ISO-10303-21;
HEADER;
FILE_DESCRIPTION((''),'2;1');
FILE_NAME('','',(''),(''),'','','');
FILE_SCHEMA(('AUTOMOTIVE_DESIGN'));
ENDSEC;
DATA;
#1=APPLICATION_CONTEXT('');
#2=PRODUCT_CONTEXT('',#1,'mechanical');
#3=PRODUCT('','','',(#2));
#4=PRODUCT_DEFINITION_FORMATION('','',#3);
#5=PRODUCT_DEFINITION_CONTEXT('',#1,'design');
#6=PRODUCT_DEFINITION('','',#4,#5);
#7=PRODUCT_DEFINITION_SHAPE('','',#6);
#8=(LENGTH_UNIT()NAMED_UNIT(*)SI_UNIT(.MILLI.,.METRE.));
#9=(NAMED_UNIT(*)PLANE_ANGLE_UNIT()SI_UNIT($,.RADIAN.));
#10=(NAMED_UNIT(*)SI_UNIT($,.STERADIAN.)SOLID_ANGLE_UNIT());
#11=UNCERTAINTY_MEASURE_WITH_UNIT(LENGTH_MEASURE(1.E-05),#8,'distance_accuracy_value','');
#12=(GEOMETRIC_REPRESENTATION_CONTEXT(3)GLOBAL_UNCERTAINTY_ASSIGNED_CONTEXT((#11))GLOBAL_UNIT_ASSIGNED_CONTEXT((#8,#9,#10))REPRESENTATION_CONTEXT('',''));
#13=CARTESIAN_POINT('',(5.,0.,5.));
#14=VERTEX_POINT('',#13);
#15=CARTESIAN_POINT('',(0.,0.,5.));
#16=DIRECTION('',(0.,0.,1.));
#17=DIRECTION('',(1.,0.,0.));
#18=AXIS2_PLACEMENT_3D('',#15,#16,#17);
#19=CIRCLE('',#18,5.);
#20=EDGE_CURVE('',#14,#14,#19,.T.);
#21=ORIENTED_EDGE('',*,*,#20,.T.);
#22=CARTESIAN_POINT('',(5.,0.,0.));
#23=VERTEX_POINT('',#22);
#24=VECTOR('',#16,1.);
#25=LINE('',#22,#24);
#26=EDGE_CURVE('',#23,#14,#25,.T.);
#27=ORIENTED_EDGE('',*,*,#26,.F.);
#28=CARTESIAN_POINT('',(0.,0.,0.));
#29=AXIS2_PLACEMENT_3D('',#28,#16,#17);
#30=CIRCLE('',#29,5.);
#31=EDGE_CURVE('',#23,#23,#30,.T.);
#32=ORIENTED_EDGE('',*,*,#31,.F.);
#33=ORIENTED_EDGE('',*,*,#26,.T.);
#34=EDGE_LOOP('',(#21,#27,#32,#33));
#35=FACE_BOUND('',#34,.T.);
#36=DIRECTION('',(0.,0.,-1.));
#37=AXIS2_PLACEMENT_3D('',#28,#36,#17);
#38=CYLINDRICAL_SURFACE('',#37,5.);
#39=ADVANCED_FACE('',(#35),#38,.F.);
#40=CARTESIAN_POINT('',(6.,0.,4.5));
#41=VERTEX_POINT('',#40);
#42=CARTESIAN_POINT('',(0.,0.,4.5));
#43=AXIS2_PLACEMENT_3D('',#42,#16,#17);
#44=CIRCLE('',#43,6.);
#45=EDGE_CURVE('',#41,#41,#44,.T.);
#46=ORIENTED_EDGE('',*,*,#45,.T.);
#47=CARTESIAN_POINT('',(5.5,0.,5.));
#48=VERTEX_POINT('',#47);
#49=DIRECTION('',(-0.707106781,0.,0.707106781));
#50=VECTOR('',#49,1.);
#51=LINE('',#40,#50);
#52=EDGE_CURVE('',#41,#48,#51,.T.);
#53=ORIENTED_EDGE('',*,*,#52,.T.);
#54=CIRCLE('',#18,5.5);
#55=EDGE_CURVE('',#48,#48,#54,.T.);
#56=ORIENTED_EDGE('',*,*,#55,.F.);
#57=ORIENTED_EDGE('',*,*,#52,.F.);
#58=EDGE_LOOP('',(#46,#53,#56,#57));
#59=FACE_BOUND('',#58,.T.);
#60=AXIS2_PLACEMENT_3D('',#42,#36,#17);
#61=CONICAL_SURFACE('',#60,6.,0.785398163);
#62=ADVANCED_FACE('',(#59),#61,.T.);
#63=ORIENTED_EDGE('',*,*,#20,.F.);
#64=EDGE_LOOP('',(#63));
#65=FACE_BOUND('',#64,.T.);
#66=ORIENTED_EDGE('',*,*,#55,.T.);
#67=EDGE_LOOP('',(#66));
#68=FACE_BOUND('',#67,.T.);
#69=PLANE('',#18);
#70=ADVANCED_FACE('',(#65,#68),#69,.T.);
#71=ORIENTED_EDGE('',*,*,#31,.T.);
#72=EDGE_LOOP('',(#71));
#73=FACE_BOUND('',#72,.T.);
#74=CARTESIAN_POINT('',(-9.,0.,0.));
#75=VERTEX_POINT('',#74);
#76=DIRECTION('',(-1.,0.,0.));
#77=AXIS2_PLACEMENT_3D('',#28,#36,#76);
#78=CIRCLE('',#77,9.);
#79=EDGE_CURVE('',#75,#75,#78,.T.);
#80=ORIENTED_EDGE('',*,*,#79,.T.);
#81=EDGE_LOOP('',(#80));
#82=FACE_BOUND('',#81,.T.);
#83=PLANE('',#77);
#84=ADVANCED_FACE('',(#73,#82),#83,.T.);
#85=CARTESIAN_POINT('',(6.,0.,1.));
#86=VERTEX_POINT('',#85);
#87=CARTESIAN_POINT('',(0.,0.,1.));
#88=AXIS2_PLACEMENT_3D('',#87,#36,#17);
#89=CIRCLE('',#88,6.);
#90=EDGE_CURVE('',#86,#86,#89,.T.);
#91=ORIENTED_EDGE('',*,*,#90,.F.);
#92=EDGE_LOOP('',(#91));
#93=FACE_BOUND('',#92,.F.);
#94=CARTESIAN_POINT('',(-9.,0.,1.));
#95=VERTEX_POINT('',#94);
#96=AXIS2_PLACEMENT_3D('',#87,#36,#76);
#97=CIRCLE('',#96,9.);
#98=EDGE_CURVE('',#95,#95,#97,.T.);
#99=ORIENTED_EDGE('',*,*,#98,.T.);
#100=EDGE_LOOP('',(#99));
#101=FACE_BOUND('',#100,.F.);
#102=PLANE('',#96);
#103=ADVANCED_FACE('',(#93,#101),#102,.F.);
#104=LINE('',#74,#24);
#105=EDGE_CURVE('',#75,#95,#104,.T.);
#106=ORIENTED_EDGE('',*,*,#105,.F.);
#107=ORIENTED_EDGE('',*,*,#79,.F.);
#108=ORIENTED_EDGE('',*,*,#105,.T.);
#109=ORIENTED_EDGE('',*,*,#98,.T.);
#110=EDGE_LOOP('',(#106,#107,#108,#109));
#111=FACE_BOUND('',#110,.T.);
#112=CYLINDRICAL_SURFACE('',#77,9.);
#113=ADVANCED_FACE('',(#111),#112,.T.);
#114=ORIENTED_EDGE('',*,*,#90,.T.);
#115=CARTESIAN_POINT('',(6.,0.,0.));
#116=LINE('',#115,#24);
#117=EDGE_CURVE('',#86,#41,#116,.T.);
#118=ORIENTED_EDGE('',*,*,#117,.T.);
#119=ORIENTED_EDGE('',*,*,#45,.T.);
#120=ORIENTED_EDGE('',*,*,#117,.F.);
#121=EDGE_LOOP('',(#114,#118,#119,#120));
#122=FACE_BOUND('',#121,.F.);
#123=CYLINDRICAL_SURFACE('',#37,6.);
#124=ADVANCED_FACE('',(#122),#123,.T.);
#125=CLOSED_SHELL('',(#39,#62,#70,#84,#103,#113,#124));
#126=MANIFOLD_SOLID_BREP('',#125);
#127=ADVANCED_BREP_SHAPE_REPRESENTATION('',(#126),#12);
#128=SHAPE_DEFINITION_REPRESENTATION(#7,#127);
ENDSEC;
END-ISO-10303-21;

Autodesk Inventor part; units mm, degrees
ref_plane "YZ Plane" through (0, 0, 0) normal (1, 0, 0) x (0, 1, 0)
ref_plane "XZ Plane" through (0, 0, 0) normal (0, 1, 0) x (-1, 0, 0)
ref_plane "XY Plane" through (0, 0, 0) normal (0, 0, 1) x (1, 0, 0)
sketch "スケッチ1" plane through (0, 0, 0) normal (0, 0, 1) x (1, 0, 0)
  circle A0 centre (0, 0) radius 6
  circle A1 centre (0, 0) radius 5
  dimension "d0" = 12
  dimension "d1" = 10
extrude "押し出し1" add sketch "スケッチ1" along normal blind 5
chamfer "面取り1" distance 0.5 angle 45 1 edges at (-6, 0, 5)
sketch "スケッチ2" plane through (0, 0, 0) normal (0, 0, -1) x (-1, 0, 0)
  circle A0 centre (0, 0) radius 9
  circle A1 centre (0, 0) radius 5 projected
  dimension "d7" = 18
extrude "押し出し2" add sketch "スケッチ2" against normal blind 1
properties part number "オイレスw5f10-12a" material "アセタール樹脂、黒"
